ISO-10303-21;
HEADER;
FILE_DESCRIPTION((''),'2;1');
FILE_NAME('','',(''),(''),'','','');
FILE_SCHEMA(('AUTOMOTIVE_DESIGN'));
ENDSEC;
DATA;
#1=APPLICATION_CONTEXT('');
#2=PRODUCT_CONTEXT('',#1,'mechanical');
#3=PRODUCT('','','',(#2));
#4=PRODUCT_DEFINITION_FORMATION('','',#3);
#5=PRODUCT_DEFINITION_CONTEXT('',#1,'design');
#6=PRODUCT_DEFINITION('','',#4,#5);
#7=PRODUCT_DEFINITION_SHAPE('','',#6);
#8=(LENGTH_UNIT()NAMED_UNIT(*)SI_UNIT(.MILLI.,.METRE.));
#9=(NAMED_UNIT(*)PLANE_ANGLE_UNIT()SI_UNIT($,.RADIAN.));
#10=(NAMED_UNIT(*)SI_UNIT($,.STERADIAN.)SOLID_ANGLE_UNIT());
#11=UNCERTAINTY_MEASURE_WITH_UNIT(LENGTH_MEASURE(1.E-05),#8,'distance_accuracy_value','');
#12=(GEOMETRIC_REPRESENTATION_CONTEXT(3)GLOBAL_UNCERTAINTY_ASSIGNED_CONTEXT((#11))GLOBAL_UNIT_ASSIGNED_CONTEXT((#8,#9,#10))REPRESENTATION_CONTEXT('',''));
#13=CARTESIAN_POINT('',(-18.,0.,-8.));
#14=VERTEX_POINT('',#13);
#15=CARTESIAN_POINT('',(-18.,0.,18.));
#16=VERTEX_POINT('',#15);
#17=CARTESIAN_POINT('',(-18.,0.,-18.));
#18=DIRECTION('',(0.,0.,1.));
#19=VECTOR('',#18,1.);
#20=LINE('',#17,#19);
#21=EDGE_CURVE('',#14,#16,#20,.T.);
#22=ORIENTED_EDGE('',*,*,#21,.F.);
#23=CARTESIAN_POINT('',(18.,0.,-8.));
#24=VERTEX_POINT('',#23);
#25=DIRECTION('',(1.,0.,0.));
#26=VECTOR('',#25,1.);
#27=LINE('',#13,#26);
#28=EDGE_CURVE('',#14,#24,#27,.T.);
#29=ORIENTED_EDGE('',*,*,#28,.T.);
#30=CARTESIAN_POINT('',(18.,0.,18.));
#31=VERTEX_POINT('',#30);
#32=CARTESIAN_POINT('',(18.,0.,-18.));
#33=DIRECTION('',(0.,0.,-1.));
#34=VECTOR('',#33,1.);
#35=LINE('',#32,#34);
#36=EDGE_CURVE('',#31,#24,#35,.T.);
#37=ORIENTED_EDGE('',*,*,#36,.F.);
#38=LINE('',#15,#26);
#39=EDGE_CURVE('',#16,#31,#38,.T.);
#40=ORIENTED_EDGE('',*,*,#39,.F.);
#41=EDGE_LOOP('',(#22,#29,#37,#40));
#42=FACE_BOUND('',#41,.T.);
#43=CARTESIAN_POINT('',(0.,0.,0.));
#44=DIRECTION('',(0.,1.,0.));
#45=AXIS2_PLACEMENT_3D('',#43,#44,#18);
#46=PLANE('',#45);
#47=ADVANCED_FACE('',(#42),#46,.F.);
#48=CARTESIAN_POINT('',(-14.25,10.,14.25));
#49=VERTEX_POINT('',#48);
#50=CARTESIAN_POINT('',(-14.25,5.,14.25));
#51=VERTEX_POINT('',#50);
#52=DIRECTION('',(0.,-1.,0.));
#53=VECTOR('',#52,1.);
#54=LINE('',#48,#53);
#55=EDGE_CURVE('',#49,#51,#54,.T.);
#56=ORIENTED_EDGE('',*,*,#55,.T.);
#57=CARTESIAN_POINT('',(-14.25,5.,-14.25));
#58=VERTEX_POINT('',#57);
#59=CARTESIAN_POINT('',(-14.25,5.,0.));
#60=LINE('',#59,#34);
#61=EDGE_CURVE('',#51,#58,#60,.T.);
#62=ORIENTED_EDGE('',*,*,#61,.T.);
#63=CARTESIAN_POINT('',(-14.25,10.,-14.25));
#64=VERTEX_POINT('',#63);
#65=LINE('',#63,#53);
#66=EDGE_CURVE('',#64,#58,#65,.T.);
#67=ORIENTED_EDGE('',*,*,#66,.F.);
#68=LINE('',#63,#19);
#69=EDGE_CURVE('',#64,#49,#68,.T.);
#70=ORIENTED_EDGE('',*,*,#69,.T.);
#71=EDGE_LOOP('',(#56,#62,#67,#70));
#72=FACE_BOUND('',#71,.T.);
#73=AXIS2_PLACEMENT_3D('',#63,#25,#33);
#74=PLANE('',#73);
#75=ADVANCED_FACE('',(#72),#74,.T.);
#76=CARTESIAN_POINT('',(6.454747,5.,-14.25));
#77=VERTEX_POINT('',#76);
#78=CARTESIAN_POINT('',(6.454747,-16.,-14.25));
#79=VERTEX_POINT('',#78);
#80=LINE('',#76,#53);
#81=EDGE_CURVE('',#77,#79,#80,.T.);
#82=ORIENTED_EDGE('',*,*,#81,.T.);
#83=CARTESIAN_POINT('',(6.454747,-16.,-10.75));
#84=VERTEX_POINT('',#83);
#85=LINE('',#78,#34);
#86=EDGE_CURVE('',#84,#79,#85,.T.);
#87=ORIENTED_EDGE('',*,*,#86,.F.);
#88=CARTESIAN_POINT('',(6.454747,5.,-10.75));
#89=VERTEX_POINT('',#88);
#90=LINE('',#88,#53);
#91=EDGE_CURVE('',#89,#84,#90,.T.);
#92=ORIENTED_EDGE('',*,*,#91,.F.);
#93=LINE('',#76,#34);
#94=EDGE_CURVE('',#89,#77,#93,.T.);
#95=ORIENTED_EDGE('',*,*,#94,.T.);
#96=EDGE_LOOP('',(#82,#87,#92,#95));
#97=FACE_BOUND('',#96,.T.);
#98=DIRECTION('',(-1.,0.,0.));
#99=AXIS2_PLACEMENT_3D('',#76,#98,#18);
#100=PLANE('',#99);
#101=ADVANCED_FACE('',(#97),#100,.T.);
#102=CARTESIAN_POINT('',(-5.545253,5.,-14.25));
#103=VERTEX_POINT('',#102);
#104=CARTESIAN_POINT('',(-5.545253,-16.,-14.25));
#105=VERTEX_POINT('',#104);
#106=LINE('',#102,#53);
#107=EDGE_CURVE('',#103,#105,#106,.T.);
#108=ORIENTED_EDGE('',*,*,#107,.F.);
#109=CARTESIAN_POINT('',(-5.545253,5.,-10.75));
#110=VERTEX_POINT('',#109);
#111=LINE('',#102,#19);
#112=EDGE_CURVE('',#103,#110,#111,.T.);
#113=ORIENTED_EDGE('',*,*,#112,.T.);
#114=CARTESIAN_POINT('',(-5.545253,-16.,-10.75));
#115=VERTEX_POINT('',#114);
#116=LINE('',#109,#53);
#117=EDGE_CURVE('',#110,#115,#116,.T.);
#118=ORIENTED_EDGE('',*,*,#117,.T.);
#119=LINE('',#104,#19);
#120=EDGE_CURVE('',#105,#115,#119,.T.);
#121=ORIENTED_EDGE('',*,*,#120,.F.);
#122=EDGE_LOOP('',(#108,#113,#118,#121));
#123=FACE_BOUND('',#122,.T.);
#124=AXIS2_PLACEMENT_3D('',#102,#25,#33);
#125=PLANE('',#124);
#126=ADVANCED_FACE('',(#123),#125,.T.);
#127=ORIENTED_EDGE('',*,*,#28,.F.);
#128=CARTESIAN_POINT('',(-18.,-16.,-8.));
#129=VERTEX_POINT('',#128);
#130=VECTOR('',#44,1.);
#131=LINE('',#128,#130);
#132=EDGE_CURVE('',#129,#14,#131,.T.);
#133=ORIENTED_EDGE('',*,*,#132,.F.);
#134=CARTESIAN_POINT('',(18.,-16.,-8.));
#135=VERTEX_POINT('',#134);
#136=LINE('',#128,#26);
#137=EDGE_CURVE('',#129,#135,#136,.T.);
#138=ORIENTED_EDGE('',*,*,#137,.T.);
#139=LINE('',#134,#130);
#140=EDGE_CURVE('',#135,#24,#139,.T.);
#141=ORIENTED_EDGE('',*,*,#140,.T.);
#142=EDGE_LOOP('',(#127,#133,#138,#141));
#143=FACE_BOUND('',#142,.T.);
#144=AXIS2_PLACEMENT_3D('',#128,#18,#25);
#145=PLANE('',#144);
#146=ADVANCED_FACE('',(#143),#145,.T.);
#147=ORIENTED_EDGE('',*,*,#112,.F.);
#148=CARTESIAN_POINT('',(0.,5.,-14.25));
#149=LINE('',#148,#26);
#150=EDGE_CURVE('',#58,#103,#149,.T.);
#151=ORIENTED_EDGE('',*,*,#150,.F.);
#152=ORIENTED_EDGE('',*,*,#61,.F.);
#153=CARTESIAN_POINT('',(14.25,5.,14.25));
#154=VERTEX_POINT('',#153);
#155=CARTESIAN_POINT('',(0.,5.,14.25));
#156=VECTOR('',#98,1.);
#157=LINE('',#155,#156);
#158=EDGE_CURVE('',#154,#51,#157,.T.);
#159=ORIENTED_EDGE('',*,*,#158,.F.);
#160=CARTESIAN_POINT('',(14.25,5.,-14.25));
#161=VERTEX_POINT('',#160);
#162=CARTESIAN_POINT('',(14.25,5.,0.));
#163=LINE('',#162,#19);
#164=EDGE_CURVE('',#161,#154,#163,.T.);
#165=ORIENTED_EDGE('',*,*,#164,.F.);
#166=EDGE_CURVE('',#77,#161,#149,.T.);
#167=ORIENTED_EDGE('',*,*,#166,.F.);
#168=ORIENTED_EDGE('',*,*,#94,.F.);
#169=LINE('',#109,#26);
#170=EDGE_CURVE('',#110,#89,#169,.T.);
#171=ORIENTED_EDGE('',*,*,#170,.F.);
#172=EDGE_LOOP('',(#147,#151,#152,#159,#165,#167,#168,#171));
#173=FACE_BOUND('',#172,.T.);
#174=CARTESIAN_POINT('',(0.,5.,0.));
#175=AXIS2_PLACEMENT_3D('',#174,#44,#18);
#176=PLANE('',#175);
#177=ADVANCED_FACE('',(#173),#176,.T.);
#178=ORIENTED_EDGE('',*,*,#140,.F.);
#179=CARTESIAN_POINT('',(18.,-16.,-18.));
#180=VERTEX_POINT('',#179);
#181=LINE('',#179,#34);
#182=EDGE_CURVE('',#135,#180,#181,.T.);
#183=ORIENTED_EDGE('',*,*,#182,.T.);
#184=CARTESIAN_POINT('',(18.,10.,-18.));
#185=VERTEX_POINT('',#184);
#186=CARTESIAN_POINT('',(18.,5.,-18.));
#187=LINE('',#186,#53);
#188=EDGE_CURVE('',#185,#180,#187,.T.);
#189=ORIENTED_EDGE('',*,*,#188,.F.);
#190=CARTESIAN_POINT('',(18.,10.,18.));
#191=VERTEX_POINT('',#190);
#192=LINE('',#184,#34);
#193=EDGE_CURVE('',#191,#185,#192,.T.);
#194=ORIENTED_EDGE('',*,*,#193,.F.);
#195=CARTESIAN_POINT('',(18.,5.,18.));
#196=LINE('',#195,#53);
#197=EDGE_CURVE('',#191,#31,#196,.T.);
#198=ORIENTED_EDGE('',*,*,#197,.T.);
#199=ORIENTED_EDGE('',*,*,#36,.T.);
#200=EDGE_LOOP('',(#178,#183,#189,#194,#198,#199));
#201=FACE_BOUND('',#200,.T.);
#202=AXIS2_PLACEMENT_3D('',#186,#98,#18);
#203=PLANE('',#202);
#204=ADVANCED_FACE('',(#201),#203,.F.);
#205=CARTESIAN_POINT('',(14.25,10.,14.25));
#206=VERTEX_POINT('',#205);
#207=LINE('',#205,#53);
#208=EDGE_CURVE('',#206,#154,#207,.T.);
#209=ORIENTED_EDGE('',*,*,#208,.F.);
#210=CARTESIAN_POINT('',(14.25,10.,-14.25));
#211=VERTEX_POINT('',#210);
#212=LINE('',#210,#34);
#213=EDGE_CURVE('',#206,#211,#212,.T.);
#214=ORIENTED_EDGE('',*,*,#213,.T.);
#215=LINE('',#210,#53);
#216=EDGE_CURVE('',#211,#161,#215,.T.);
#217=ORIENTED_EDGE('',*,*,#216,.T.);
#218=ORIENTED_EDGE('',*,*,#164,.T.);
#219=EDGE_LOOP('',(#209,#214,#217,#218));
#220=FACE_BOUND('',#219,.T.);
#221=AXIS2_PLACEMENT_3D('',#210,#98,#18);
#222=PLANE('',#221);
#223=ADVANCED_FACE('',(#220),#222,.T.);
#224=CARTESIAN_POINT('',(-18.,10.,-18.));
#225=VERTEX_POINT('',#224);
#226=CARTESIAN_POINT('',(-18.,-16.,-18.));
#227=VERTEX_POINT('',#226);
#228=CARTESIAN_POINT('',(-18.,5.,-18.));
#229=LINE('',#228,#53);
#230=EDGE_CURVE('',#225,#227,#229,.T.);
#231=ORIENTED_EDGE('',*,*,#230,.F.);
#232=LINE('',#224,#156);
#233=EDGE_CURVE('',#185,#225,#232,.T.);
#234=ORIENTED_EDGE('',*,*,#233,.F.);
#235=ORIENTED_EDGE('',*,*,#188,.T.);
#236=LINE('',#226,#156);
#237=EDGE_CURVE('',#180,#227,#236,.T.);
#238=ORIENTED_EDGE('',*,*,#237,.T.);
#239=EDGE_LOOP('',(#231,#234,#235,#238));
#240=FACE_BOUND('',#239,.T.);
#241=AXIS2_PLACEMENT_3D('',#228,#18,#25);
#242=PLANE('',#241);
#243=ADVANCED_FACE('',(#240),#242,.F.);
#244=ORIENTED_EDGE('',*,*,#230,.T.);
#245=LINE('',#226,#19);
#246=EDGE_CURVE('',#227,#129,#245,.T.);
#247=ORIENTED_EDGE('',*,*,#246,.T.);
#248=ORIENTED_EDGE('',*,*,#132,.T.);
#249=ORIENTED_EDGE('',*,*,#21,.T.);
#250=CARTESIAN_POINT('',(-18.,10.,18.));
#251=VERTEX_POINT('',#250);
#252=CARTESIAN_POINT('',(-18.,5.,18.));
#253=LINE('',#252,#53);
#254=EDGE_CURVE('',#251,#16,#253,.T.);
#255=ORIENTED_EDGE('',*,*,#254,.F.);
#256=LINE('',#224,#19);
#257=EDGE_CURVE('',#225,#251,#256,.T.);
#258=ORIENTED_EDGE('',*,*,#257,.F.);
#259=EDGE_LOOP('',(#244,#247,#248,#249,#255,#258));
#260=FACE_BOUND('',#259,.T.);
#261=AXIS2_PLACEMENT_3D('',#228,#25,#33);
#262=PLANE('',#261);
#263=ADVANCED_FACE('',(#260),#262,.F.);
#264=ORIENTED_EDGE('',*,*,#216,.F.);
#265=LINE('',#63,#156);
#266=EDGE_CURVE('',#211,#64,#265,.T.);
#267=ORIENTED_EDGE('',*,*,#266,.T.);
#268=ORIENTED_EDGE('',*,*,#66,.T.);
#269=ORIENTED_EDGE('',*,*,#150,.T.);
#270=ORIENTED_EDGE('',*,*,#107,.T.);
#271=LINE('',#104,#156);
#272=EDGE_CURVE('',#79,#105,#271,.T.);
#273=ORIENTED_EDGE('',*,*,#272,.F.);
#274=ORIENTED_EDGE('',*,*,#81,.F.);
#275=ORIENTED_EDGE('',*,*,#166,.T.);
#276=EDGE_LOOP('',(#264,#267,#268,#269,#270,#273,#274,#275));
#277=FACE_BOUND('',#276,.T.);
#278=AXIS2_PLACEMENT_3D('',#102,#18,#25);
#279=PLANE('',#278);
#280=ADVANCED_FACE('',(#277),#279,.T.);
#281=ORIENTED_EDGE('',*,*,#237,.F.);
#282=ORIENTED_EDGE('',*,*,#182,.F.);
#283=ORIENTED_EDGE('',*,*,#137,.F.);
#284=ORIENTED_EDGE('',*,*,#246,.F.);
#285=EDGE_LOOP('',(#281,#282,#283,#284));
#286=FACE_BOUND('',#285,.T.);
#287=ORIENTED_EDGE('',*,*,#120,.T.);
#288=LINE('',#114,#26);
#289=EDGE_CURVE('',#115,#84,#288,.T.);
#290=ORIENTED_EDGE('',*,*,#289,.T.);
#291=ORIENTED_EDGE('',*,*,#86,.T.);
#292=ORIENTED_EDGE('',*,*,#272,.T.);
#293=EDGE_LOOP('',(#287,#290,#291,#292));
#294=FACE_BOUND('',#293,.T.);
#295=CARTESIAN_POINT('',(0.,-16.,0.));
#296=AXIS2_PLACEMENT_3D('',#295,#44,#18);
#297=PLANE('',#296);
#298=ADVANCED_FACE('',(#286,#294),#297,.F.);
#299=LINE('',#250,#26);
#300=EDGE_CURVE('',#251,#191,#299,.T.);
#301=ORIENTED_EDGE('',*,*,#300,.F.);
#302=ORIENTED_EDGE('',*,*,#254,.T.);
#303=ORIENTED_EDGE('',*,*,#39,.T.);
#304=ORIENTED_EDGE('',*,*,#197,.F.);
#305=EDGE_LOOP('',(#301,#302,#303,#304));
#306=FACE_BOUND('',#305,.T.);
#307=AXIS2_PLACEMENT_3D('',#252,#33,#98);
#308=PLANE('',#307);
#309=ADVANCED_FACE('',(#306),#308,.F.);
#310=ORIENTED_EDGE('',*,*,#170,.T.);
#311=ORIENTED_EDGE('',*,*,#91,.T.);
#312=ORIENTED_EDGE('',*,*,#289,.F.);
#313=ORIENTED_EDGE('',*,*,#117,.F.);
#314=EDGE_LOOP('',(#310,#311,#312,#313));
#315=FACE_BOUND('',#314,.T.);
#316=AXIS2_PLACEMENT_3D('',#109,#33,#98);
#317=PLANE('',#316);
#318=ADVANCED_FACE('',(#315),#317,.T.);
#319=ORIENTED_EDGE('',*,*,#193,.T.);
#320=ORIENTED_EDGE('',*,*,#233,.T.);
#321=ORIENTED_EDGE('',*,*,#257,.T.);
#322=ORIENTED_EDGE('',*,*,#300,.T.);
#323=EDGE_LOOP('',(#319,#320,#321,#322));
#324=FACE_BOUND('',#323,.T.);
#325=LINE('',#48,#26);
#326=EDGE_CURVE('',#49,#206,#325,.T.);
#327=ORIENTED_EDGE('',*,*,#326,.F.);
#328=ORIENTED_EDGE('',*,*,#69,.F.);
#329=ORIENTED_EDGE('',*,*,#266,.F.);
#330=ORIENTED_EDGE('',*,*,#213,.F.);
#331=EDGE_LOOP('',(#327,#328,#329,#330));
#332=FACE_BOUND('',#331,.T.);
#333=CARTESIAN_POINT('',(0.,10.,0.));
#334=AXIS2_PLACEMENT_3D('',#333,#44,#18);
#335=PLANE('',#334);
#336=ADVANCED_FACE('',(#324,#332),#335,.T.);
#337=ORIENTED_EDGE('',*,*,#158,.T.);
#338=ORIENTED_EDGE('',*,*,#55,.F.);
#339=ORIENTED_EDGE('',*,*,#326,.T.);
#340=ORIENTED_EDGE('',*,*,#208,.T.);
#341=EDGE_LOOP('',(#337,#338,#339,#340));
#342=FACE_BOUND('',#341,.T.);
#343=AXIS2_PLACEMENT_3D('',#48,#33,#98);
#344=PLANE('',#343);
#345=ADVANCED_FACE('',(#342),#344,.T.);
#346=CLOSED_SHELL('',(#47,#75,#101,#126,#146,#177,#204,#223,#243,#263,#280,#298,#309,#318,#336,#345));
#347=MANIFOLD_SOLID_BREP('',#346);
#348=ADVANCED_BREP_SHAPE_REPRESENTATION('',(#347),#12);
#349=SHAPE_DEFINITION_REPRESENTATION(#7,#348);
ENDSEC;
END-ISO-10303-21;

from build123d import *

# Parameters (mm, degrees)
SKETCH_1_W      = 36
SKETCH_1_H      = 36
SKETCH_1_W_2    = 12
SKETCH_1_H_2    = 3.5
EXTRUDE_1_DEPTH = 5
SKETCH_2_W      = 36
SKETCH_2_H      = 36
SKETCH_2_W_2    = 28.5
SKETCH_2_H_2    = 28.5
EXTRUDE_3_DEPTH = 10
SKETCH_3_W      = 36
SKETCH_3_H      = 10
SKETCH_3_W_2    = 12
SKETCH_3_H_2    = 3.5
EXTRUDE_4_DEPTH = 16


with BuildPart() as part:
    # 草圖1 → 填料-伸長1 (new body)
    with BuildSketch(Plane(origin=(0, 0, 0), x_dir=(1, 0, 0), z_dir=(0, 1, 0))):
        Rectangle(SKETCH_1_W, SKETCH_1_H)
        with Locations((0.454747486, 12.5)):
            Rectangle(SKETCH_1_W_2, SKETCH_1_H_2, mode=Mode.SUBTRACT)
    extrude(amount=EXTRUDE_1_DEPTH)

    # 草圖2 → 填料-伸長3 (add)
    with BuildSketch(Plane(origin=(0, 0, 0), x_dir=(1, 0, 0), z_dir=(0, 1, 0))):
        Rectangle(SKETCH_2_W, SKETCH_2_H)
        Rectangle(SKETCH_2_W_2, SKETCH_2_H_2, mode=Mode.SUBTRACT)
    extrude(amount=EXTRUDE_3_DEPTH)

    # 草圖3 → 填料-伸長4 (add)
    with BuildSketch(Plane(origin=(0, 0, 0), x_dir=(1, 0, 0), z_dir=(0, 1, 0))):
        with Locations((0, 13)):
            Rectangle(SKETCH_3_W, SKETCH_3_H)
        with Locations((0.454747486, 12.5)):
            Rectangle(SKETCH_3_W_2, SKETCH_3_H_2, mode=Mode.SUBTRACT)
    extrude(amount=-EXTRUDE_4_DEPTH)


solid = part.part
